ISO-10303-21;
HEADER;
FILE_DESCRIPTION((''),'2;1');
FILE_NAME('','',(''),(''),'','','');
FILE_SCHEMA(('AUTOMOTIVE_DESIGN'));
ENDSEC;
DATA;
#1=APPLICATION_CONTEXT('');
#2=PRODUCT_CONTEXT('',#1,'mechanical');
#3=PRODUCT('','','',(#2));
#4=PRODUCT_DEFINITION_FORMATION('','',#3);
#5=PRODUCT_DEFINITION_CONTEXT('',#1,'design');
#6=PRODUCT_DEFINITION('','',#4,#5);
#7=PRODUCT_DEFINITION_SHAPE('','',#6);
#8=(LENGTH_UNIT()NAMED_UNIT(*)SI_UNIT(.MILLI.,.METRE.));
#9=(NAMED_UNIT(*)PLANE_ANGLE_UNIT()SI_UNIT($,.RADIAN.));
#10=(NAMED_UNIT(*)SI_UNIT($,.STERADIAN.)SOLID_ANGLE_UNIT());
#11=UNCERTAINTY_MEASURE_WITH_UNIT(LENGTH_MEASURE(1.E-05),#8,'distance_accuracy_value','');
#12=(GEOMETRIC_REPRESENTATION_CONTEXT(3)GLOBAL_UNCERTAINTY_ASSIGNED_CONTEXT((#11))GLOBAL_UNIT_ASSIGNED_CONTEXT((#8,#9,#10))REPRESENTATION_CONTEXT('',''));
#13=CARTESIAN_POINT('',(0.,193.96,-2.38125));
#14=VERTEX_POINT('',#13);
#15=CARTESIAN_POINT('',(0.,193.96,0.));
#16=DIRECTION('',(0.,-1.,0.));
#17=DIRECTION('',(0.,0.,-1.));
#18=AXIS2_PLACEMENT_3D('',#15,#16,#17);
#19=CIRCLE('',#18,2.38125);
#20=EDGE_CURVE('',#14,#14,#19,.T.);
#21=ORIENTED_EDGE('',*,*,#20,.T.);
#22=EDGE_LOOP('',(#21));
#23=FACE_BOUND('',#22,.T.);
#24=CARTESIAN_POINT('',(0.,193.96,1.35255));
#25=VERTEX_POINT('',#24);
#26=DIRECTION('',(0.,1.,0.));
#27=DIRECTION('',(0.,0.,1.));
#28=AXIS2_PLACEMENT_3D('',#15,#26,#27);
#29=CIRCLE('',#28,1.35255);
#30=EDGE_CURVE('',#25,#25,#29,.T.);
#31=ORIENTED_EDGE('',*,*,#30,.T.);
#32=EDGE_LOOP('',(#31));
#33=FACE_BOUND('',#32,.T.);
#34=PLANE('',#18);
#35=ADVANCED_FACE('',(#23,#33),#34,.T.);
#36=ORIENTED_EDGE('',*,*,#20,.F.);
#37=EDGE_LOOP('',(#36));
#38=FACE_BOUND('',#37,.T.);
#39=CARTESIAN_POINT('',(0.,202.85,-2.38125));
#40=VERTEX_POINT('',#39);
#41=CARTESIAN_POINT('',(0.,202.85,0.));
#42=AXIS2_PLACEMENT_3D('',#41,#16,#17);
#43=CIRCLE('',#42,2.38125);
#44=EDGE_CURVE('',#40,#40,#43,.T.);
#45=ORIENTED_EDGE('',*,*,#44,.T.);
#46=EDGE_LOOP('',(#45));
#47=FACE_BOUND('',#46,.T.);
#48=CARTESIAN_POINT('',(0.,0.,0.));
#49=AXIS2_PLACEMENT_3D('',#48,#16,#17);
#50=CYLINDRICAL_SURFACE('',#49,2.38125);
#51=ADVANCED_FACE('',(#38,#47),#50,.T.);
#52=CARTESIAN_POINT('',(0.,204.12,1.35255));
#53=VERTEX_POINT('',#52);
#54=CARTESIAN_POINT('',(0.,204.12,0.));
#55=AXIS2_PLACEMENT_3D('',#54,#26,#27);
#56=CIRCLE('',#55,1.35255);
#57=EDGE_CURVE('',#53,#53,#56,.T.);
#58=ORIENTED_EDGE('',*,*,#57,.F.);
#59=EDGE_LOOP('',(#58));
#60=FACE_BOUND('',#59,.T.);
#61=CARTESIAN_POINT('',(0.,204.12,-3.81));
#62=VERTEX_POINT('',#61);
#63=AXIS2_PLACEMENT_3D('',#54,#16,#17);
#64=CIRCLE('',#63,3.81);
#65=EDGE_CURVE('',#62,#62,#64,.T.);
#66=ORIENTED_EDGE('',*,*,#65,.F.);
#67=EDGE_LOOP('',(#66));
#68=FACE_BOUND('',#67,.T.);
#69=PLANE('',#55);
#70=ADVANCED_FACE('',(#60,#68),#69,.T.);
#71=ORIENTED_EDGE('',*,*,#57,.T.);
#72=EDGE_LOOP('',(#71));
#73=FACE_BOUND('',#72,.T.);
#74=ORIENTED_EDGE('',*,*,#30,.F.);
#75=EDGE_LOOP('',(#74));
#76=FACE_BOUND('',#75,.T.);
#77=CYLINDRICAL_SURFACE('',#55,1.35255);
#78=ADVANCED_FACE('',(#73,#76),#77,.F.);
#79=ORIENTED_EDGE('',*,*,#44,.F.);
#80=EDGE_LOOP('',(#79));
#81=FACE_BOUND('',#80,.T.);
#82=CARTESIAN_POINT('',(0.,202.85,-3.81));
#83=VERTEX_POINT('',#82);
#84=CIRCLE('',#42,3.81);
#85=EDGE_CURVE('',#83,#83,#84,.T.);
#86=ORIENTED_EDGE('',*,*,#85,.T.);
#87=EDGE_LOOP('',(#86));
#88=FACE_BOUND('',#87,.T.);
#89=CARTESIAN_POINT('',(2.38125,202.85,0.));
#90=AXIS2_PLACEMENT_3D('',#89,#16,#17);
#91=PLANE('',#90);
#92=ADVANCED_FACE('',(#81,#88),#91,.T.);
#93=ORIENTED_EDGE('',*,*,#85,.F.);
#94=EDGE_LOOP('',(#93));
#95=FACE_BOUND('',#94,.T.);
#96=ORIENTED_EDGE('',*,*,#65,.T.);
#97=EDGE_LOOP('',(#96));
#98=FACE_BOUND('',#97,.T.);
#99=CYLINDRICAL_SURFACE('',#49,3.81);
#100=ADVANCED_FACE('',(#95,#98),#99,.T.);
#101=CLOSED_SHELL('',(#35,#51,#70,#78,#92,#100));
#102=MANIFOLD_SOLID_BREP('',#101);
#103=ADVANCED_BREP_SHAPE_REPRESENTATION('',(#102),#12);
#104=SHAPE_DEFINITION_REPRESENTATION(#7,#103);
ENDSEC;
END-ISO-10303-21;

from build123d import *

# Parameters (mm, degrees)
F_6_32_TAPPED_HOLE1_D = 2.7051


with BuildPart() as part:
    # Sketch1 → Revolve1 (revolve)
    with BuildSketch(Plane.XY, mode=Mode.PRIVATE) as revolve1_sk:
        Polygon((0, 193.96), (2.38125, 193.96), (2.38125, 202.85), (3.81, 202.85), (3.81, 204.12), (0, 204.12), align=None)
    revolve(revolve1_sk.sketch.rotate(Axis((0, 0, 0), (0, 1, 0)), 90), axis=Axis((0, 0, 0), (0, 1, 0)))

    # #6-32 Tapped Hole1 (through all)
    with Locations(Plane(origin=(0, 204.12, 0), x_dir=(1, 0, 0), z_dir=(0, 1, 0))):
        with Locations((0, 0)):
            Hole(F_6_32_TAPPED_HOLE1_D / 2)


solid = part.part
